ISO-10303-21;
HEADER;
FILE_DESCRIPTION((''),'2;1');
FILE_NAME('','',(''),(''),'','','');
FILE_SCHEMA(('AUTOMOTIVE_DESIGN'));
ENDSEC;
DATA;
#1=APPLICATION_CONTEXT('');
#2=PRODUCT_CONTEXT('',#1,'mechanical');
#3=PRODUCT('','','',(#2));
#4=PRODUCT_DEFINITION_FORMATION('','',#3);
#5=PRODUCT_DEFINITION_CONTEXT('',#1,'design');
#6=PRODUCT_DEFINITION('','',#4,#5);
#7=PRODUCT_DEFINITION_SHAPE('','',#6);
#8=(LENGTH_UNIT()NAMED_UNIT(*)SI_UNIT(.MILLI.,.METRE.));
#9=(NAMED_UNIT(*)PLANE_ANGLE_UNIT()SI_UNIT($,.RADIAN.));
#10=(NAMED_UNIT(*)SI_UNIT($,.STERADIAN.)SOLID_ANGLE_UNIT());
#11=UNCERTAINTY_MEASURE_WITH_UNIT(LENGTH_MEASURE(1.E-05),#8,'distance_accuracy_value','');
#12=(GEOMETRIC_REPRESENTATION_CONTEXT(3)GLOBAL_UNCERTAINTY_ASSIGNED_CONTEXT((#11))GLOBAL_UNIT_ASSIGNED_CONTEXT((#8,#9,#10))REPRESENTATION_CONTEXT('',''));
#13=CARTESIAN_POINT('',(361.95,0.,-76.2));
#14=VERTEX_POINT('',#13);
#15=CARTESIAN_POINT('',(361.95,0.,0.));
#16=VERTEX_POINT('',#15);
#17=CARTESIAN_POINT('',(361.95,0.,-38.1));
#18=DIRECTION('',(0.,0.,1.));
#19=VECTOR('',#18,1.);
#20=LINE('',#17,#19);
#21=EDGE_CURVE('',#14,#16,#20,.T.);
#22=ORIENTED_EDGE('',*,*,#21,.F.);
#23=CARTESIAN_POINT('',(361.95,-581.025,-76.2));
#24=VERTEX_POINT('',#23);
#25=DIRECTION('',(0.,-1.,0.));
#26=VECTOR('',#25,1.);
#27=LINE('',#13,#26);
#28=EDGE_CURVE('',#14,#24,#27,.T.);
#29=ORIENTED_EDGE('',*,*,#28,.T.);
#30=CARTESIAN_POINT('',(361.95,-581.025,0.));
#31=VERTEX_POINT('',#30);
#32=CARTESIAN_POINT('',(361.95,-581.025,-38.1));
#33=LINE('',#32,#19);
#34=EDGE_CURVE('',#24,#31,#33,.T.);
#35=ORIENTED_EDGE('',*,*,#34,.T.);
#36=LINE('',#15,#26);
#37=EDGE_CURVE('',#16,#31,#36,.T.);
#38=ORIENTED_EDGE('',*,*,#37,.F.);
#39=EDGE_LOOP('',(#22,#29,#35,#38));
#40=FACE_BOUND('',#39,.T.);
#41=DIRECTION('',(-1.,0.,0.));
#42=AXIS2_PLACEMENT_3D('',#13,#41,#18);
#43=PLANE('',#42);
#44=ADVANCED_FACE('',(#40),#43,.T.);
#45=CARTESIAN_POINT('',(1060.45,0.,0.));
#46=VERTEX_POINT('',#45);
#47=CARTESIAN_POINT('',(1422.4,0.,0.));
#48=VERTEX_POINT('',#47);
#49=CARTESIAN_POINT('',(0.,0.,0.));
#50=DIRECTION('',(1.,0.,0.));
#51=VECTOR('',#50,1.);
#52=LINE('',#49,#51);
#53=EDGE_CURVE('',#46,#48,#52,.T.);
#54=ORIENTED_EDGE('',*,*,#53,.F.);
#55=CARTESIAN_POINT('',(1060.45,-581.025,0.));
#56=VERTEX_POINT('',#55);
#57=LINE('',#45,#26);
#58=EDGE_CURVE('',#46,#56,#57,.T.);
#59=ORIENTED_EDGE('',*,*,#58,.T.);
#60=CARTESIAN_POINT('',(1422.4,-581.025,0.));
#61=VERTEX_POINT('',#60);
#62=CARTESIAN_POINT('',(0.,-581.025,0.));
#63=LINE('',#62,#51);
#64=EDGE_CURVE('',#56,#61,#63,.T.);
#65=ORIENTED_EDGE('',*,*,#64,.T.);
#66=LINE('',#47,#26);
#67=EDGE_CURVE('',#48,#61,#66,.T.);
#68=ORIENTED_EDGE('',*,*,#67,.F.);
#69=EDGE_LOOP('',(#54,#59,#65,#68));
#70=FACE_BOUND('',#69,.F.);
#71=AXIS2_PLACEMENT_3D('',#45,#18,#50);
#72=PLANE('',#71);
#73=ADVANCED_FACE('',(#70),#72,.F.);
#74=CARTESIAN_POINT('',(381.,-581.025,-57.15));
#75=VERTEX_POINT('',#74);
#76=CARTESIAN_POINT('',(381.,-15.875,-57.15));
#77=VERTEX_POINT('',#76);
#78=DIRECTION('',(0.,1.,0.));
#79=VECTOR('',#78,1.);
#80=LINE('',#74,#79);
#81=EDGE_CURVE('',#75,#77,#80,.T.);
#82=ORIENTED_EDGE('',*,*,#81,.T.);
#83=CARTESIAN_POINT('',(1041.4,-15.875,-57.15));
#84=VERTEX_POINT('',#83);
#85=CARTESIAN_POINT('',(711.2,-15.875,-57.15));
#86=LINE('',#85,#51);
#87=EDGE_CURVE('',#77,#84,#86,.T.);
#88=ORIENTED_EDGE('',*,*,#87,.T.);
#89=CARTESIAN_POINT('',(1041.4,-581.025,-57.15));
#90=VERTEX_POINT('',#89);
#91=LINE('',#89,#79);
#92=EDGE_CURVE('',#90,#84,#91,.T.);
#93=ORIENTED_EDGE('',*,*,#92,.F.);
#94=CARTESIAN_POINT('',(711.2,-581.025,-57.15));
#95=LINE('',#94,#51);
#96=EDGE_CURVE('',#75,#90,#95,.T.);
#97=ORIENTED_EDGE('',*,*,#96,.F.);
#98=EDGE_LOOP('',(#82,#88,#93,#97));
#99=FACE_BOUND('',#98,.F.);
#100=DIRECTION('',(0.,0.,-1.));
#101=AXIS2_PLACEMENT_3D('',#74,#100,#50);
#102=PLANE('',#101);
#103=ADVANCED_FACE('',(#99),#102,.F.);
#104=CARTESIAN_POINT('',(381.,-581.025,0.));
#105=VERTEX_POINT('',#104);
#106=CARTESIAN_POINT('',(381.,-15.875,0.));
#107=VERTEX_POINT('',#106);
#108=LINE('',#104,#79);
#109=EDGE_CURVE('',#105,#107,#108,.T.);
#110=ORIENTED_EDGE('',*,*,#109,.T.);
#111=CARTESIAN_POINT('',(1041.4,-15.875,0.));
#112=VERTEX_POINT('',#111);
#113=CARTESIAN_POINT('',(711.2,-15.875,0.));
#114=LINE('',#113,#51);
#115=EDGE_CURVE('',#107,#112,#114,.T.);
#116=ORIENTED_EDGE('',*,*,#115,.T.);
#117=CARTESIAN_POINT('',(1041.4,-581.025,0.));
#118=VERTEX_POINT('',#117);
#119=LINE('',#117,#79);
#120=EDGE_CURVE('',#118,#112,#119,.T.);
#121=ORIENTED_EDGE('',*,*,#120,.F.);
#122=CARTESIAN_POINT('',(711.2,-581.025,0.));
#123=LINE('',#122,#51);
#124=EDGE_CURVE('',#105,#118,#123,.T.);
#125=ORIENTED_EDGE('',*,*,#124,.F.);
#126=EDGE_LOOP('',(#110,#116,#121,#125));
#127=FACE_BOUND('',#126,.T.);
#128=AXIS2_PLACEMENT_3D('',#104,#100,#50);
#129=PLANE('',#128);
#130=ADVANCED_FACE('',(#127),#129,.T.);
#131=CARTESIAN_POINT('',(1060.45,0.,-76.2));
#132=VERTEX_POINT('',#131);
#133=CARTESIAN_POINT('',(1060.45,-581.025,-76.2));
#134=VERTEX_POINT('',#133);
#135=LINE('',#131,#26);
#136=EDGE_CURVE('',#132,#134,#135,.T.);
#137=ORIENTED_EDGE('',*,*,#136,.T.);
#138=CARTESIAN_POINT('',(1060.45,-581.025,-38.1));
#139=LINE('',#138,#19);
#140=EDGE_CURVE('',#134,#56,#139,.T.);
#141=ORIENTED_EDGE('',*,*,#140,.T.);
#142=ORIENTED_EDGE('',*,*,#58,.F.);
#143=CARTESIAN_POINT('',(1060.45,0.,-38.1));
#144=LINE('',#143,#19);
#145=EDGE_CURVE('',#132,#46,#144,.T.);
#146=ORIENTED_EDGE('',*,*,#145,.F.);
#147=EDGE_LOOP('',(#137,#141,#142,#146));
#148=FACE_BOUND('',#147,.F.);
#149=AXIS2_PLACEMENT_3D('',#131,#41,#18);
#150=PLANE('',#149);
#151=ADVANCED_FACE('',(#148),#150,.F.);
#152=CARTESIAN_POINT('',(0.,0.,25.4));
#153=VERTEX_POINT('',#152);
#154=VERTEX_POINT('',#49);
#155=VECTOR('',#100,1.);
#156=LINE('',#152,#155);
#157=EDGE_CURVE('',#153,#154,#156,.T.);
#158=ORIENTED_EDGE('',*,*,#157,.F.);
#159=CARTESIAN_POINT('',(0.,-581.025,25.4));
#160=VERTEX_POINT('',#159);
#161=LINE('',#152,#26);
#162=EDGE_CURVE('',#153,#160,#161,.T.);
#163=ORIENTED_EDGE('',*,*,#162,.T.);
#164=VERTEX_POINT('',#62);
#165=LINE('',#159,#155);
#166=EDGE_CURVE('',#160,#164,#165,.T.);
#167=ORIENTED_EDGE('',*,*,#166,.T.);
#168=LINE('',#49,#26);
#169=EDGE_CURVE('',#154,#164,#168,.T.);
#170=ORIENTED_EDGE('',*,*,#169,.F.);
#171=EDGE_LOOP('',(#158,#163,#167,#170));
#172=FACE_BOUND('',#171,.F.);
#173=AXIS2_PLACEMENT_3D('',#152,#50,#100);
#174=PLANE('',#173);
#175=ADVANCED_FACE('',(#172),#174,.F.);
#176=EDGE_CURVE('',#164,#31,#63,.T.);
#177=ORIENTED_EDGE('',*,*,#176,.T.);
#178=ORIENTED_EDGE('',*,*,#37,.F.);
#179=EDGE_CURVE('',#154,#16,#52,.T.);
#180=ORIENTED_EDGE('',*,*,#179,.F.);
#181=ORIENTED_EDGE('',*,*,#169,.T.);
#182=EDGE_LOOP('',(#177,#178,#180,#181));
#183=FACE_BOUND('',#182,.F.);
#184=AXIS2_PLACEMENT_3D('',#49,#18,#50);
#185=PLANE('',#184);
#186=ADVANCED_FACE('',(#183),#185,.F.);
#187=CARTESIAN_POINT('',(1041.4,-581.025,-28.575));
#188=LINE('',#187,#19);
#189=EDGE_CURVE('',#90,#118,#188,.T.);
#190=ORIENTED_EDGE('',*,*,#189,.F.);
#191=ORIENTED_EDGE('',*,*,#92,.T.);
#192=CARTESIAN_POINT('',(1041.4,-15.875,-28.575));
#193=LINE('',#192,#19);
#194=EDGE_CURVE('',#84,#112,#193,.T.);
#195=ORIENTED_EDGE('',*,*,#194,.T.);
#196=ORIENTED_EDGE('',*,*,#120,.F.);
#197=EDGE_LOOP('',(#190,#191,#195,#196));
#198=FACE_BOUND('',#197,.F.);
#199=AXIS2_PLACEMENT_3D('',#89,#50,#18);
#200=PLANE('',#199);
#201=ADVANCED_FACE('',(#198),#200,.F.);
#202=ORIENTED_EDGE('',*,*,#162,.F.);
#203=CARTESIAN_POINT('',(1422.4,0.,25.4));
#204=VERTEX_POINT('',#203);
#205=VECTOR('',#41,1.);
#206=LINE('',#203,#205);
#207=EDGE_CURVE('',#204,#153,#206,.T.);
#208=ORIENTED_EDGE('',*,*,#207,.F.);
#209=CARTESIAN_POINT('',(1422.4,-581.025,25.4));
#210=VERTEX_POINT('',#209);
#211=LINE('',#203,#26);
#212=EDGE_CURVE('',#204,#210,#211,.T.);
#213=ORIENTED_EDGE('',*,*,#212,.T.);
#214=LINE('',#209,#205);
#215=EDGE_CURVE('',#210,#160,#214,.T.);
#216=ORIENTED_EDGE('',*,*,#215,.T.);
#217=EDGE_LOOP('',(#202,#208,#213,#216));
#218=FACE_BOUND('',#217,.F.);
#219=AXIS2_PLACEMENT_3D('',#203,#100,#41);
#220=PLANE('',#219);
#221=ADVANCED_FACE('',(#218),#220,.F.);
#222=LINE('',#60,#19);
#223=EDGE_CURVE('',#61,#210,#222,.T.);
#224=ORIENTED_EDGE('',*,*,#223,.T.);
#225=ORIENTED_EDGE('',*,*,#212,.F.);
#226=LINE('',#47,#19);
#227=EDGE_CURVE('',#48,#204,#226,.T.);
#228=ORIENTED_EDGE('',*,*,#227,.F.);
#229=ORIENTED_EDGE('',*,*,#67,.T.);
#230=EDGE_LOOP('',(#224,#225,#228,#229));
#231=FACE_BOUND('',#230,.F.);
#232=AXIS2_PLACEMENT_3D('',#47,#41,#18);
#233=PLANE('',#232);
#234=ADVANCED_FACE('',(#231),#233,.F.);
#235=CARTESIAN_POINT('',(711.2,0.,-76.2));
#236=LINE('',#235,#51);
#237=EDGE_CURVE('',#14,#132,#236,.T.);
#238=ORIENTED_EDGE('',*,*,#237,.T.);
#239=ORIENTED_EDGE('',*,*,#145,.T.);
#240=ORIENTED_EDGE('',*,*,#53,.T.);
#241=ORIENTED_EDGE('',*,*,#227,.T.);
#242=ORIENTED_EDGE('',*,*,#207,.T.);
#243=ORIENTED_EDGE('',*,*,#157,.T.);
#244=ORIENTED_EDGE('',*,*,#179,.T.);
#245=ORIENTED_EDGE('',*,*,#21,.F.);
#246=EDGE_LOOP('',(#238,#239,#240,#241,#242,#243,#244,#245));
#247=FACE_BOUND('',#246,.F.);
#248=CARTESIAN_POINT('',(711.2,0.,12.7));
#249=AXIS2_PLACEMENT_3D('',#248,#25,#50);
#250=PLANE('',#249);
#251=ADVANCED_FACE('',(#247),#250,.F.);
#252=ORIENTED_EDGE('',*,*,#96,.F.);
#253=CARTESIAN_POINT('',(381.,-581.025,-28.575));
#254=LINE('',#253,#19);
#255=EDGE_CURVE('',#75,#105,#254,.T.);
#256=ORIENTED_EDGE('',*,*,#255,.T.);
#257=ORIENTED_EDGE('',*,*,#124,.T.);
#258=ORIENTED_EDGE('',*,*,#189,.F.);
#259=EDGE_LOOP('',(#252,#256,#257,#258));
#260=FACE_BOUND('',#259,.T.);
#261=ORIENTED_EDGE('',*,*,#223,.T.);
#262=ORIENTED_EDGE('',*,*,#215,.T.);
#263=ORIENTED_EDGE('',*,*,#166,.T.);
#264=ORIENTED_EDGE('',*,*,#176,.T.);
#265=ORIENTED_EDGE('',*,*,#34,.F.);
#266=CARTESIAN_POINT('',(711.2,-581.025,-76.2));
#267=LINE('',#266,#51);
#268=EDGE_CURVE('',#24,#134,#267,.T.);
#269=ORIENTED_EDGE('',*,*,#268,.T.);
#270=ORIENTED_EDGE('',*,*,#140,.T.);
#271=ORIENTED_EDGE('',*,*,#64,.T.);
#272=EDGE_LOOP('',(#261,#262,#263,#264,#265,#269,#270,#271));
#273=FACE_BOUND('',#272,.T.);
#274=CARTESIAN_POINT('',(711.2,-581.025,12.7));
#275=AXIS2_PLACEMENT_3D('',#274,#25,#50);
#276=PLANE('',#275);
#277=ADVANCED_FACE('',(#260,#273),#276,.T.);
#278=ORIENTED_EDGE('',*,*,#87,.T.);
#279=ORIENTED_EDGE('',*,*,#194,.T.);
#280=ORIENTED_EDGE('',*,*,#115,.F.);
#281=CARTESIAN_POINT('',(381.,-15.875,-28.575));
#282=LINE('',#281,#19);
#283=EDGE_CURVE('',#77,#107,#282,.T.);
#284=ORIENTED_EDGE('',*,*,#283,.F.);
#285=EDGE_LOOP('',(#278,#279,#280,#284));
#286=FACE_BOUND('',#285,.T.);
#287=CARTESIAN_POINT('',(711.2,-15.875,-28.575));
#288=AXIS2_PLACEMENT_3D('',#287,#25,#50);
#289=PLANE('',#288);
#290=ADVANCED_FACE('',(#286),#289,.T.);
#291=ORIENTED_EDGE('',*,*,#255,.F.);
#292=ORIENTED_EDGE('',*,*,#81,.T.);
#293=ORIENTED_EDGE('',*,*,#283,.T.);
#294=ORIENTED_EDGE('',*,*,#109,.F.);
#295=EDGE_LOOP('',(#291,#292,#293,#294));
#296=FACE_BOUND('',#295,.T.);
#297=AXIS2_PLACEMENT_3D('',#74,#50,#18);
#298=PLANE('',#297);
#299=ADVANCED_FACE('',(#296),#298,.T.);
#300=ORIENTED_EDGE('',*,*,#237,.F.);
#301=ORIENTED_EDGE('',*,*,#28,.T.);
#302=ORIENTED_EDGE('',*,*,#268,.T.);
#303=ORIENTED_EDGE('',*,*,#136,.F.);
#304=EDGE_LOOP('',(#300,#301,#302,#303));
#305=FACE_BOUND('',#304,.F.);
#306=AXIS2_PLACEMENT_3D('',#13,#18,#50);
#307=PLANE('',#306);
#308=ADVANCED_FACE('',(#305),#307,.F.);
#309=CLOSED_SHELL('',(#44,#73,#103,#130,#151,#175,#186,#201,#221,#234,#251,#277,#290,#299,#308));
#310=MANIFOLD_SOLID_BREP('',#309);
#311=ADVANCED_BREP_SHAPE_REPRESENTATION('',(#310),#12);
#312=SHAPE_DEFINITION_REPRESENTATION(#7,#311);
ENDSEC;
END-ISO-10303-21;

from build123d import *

# Parameters (mm, degrees)
F0_W     = 698.5
F0_H     = 76.2
F1_DEPTH = 581.025
F2_W     = 660.4
F2_H     = 57.15
F3_DEPTH = 565.15


with BuildPart() as f1:
    # F0 (on Front) → F1 (new body)
    with BuildSketch(Plane.XZ):
        Polygon((0, 25.4), (0, 0), (361.95, 0), (1060.45, 0), (1422.4, 0), (1422.4, 25.4), align=None)
        with Locations((711.2, -38.1)):
            Rectangle(F0_W, F0_H)
    extrude(amount=F1_DEPTH)

    # F2 (on face) → F3 (cut)
    with BuildSketch(Plane.XZ.offset(581.025)):
        with Locations((711.2, -28.575)):
            Rectangle(F2_W, F2_H)
    extrude(amount=-F3_DEPTH, mode=Mode.SUBTRACT)


solid = f1.part
